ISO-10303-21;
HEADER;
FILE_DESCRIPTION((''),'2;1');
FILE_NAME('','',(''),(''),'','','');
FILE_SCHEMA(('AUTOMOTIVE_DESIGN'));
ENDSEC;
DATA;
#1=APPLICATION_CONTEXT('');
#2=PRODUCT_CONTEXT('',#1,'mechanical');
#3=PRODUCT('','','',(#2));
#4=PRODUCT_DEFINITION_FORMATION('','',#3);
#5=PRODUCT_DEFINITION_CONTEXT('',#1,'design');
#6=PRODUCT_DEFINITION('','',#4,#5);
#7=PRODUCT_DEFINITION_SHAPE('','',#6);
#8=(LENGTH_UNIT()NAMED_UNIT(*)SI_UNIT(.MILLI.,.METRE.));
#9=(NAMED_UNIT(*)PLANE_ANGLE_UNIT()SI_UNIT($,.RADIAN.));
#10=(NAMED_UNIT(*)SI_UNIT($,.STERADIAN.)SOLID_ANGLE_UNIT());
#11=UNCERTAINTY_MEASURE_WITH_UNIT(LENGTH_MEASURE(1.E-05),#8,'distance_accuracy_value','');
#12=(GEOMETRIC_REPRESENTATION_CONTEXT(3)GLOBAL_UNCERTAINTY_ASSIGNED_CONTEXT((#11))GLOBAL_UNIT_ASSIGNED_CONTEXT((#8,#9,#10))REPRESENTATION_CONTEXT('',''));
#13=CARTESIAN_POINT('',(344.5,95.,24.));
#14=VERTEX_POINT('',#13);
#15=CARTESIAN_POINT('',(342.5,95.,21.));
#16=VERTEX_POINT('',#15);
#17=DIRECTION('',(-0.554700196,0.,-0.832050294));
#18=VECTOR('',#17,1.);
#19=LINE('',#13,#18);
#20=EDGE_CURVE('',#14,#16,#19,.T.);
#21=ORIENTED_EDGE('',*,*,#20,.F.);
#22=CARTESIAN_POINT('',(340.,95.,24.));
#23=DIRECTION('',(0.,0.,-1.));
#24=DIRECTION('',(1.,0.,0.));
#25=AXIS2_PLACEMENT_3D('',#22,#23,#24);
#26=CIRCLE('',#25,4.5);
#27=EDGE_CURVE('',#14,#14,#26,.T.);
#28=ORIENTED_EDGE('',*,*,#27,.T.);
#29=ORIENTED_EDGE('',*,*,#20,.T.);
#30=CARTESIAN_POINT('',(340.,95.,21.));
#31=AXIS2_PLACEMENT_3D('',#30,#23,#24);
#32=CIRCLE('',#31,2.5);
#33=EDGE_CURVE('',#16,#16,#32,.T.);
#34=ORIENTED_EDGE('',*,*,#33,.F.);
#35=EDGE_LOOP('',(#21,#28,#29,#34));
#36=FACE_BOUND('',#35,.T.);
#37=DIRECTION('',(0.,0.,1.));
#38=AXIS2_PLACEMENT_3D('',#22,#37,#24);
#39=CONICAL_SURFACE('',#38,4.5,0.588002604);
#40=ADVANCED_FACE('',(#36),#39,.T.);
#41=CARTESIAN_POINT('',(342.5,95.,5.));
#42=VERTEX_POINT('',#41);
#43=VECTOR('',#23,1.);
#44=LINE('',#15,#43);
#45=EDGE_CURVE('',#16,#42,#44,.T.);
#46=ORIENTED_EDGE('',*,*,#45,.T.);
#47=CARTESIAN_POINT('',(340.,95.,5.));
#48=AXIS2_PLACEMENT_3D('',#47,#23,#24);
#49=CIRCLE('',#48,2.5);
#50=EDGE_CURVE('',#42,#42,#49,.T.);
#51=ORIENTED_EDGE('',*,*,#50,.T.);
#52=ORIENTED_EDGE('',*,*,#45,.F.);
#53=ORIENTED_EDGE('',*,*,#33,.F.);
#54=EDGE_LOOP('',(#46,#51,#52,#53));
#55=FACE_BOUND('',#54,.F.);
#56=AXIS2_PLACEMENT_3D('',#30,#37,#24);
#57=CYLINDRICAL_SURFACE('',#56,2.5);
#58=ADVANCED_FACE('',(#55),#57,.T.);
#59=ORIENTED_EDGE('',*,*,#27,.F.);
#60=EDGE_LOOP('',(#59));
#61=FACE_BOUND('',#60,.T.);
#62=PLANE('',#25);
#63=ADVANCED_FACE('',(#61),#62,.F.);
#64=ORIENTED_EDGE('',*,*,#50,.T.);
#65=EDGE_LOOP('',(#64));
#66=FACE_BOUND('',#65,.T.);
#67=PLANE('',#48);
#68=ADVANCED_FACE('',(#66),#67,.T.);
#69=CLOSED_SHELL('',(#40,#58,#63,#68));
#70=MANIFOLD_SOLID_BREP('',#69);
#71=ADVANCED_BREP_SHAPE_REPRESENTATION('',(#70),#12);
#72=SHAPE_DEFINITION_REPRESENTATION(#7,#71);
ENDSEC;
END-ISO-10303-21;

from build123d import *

# Parameters (mm, degrees)
CYLINDER011_R                   = 2.5
CYLINDER011_DEPTH               = 16
FUSION001018017_PLACEMENT_ANGLE = 180
CLONE015_PLACEMENT_ANGLE        = 180


with BuildPart() as cone003:
    # Cone003 → Cone003 (revolve)
    with BuildSketch(Plane(origin=(0, 0, -3), x_dir=(1, 0, 0), z_dir=(0, -1, 0))):
        Polygon((0, 0), (4.5, 0), (2.5, 3), (0, 3), align=None)
    revolve(axis=Axis((0, 0, -3), (0, 0, 1)))


with BuildPart() as m5x16_senkkopf011:
    # Cylinder011 → Cylinder011 (new body)
    with BuildSketch(Plane.XY):
        Circle(CYLINDER011_R)
    extrude(amount=CYLINDER011_DEPTH)

    # Fusion001018017: union Cone003
    add(cone003.part)


with BuildPart() as m5x16_senkkopf011_1:
    # Fusion001018017 placement: moved
    add(m5x16_senkkopf011.part.moved(Location((45, 15, 21))).rotate(Axis((45, 15, 21), (0, 1, 0)), FUSION001018017_PLACEMENT_ANGLE))


with BuildPart() as m5x16_senkkopf011_2:
    # Clone015 placement: moved
    add(m5x16_senkkopf011_1.part.moved(Location((115, 110, 0))).rotate(Axis((115, 110, 0), (0, 0, 1)), CLONE015_PLACEMENT_ANGLE))


with BuildPart() as m5x16_senkkopf011_3:
    # Clone027 placement: moved
    add(m5x16_senkkopf011_2.part.moved(Location((270, 0, 0))))


solid = m5x16_senkkopf011_3.part
